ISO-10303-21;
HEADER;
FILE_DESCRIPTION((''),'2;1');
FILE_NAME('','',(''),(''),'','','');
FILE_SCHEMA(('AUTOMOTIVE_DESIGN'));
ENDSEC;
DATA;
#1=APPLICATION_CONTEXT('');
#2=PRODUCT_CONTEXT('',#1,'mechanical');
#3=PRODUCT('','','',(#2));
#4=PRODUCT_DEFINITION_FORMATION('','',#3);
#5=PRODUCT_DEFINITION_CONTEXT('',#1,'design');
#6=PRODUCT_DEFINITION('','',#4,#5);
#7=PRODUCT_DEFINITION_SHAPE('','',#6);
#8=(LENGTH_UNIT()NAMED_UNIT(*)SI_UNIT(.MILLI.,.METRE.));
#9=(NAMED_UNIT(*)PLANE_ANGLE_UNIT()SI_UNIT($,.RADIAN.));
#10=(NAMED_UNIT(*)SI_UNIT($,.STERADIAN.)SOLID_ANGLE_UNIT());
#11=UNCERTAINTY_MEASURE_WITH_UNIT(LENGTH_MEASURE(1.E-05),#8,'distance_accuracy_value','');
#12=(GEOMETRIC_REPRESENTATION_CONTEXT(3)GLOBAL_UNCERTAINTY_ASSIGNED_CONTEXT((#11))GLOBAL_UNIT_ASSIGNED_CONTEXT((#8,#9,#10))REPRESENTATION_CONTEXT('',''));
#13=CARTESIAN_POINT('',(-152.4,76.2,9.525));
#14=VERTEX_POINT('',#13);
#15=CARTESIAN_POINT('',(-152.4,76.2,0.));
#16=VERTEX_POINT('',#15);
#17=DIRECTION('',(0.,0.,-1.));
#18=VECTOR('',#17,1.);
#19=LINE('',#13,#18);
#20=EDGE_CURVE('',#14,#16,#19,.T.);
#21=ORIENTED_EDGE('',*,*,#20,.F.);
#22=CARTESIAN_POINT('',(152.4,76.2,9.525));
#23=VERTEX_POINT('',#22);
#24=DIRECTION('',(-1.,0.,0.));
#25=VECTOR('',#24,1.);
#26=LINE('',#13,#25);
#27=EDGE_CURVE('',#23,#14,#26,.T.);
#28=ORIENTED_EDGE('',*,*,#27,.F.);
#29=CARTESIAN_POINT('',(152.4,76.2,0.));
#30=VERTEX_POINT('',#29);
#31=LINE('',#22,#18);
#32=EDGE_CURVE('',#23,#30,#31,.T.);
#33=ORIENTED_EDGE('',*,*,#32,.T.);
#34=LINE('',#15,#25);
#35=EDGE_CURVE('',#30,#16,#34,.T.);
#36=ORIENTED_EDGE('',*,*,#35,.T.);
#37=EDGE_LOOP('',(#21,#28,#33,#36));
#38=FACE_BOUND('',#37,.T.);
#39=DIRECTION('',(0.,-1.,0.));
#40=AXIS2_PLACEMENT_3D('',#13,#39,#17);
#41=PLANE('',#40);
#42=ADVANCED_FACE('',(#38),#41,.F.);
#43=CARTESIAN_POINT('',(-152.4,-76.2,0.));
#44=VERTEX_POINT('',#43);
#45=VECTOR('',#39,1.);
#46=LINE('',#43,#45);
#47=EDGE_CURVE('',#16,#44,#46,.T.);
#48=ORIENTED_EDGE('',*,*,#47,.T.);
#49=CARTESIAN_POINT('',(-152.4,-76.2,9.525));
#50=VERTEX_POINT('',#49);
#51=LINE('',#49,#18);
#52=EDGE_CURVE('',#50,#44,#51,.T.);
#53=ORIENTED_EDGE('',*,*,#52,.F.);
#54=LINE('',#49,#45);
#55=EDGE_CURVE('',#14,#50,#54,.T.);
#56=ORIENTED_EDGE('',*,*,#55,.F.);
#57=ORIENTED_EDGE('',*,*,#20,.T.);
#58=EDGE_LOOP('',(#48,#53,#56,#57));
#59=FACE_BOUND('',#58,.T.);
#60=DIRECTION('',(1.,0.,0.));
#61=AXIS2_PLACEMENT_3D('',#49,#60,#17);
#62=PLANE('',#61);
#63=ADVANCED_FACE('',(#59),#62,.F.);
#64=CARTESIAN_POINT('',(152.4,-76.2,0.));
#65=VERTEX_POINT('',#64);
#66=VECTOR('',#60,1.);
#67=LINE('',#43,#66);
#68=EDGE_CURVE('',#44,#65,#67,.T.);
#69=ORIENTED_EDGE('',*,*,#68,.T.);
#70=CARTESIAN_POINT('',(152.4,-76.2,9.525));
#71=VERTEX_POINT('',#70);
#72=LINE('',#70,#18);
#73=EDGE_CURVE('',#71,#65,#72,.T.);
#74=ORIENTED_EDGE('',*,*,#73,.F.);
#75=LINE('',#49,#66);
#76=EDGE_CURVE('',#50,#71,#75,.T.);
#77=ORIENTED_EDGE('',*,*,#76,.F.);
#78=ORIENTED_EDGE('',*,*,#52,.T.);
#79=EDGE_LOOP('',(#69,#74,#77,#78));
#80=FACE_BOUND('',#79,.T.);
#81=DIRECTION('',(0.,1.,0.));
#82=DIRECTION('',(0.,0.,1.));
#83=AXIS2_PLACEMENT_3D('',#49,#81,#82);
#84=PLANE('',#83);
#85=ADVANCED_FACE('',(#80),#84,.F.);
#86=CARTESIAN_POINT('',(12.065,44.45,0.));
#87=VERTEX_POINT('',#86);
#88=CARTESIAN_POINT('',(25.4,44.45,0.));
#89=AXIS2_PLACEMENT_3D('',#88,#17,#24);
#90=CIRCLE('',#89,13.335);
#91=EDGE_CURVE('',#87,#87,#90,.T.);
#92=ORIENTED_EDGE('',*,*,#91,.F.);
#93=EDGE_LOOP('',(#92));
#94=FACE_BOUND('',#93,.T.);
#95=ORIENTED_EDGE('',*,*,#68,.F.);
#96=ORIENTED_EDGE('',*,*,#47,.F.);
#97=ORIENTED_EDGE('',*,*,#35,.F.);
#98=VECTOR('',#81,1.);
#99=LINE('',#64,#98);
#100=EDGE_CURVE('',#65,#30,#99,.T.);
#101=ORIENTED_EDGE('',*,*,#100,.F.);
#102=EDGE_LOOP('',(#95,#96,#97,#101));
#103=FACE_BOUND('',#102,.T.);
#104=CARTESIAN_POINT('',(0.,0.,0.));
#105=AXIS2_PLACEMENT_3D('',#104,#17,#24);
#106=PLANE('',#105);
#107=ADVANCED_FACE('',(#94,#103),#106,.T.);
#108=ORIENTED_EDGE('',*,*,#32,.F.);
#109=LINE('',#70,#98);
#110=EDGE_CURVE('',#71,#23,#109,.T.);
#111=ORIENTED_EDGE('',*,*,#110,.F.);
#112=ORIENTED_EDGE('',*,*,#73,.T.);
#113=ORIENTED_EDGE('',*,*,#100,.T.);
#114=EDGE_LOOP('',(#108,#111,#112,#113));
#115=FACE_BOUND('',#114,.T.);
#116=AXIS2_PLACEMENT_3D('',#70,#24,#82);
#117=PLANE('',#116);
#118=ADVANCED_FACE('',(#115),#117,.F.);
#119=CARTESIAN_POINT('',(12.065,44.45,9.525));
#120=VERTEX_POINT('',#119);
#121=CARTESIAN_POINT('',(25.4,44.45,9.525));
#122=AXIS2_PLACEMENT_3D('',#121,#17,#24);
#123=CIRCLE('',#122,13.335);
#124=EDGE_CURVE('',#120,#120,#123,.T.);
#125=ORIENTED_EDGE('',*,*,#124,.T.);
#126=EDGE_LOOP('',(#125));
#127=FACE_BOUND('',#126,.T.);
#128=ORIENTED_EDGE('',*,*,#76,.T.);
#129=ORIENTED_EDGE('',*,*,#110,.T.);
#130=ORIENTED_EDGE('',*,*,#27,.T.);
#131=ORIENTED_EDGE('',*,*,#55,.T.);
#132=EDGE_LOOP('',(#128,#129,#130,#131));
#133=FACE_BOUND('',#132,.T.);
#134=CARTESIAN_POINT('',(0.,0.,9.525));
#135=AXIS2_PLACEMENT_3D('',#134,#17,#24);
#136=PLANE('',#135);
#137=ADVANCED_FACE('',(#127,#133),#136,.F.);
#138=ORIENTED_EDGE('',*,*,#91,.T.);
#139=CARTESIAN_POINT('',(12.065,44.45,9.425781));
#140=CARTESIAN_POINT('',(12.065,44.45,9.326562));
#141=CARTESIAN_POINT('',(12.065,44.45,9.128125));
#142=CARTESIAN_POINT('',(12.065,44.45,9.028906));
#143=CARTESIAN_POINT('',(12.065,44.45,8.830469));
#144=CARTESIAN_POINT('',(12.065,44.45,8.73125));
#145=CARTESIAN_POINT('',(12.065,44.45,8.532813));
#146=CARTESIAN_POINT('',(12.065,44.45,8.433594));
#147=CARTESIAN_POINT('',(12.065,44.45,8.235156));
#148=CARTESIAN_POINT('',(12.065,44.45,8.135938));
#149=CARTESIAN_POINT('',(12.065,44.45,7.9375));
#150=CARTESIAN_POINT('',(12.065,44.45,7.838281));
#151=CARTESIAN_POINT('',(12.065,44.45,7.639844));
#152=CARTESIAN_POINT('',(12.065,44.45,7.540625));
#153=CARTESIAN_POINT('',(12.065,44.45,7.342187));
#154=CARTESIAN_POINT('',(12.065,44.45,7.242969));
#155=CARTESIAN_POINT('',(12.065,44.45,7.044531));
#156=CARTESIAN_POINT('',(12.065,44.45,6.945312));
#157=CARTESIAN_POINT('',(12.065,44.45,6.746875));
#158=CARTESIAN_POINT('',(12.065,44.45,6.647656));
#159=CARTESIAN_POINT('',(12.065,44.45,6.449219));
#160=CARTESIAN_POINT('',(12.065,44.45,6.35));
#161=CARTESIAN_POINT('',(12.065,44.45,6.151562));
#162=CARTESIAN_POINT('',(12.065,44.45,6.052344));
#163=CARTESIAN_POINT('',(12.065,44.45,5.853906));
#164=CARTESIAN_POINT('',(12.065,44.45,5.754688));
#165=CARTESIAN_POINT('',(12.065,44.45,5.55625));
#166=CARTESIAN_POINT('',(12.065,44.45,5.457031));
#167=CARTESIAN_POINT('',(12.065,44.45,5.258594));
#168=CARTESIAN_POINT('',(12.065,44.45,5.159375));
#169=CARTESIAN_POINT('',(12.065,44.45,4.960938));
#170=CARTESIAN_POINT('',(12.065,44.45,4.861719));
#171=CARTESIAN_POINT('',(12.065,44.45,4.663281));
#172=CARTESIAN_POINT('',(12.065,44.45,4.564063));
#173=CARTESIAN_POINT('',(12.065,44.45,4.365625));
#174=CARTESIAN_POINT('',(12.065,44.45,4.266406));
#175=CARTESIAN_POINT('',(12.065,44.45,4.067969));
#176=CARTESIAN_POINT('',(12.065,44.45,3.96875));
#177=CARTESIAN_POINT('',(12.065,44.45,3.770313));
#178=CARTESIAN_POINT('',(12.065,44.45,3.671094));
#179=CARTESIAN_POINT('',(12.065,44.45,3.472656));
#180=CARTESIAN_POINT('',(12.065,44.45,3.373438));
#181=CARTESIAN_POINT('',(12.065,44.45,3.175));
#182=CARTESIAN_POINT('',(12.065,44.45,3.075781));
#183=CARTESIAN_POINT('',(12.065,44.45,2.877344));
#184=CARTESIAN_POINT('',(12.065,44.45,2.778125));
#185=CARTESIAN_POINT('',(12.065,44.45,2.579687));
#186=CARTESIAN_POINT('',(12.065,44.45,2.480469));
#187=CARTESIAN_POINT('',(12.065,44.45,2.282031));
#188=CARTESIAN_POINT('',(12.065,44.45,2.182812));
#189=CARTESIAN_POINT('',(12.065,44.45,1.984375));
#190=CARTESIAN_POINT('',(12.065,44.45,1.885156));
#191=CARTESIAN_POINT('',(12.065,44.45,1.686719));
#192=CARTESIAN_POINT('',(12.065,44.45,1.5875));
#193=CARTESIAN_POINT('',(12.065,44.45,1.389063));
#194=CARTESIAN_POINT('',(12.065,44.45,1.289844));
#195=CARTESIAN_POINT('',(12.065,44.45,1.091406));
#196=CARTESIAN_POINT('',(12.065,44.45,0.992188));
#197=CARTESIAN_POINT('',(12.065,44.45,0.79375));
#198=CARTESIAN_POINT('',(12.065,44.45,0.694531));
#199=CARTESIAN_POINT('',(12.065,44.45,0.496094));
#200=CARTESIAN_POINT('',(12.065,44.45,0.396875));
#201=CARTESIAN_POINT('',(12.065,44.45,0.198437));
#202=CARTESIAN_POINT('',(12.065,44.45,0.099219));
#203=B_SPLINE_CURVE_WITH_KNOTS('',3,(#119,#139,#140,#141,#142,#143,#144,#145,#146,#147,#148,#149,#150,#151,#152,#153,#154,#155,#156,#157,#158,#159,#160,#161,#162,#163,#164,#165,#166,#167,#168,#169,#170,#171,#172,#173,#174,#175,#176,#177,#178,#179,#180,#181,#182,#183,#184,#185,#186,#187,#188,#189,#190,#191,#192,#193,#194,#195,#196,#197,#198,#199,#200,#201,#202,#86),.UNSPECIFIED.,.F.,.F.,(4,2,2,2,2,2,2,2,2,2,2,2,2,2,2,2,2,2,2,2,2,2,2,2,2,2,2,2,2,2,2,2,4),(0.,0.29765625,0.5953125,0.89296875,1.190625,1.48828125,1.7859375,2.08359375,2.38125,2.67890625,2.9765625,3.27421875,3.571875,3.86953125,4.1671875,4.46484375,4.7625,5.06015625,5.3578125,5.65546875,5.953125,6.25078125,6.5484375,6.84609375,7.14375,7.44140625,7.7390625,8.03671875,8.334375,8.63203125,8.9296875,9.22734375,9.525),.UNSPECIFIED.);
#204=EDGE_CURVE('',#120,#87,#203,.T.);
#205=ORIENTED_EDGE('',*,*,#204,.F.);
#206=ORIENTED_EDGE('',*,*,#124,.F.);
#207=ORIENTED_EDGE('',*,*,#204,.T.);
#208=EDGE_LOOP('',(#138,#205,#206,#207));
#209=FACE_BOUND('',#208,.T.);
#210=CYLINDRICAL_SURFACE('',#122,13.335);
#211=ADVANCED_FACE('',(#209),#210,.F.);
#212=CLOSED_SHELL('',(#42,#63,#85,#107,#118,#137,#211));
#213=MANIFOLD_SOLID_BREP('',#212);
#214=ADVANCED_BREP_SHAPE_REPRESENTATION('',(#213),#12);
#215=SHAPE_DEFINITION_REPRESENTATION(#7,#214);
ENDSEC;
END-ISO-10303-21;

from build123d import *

# Parameters (mm, degrees)
SKETCH1_W                     = 304.8
SKETCH1_H                     = 152.4
BOSS_EXTRUDE1_DEPTH           = 9.525
SKETCH5_R                     = 13.335
CUT_EXTRUDE3_DEPTH            = 171.65440406
F_1_1_05_DIAMETER_HOLE1_D     = 26.67
F_1_1_05_DIAMETER_HOLE1_DEPTH = 60.324
F_1_1_05_DIAMETER_HOLE1_TIP   = 8.012476355
F_1_1_05_DIAMETER_HOLE2_D     = 26.67
F_1_1_05_DIAMETER_HOLE2_DEPTH = 60.324
F_1_1_05_DIAMETER_HOLE2_TIP   = 8.012476355


with BuildPart() as part:
    # Sketch1 → Boss-Extrude1 (new body)
    with BuildSketch(Plane.XY):
        Rectangle(SKETCH1_W, SKETCH1_H)
    extrude(amount=BOSS_EXTRUDE1_DEPTH)

    # Sketch5 → Cut-Extrude3 (cut, through all)
    with BuildSketch(Plane(origin=(0, 0, 0), x_dir=(-1, 0, 0), z_dir=(0, 0, -1))):
        with Locations((-25.4, 44.45)):
            Circle(SKETCH5_R)
    extrude(amount=-CUT_EXTRUDE3_DEPTH, mode=Mode.SUBTRACT)

    # 1 (1.05) Diameter Hole1
    with Locations(Plane(origin=(1137.132872188, -76.2, 69.85), x_dir=(1, 0, 0), z_dir=(0, 0, 1))):
        with Locations((-1111.732872188, 120.65)):
            Hole(F_1_1_05_DIAMETER_HOLE1_D / 2, depth=F_1_1_05_DIAMETER_HOLE1_DEPTH)
            with Locations((0, 0, -(F_1_1_05_DIAMETER_HOLE1_DEPTH + F_1_1_05_DIAMETER_HOLE1_TIP / 2))):  # 118° drill point
                Cone(0, F_1_1_05_DIAMETER_HOLE1_D / 2, F_1_1_05_DIAMETER_HOLE1_TIP, mode=Mode.SUBTRACT)

    # 1 (1.05) Diameter Hole2
    with Locations(Plane(origin=(1137.132872188, -76.2, 9.525), x_dir=(1, 0, 0), z_dir=(0, 0, 1))):
        with Locations((-1111.732872188, 120.65)):
            Hole(F_1_1_05_DIAMETER_HOLE2_D / 2, depth=F_1_1_05_DIAMETER_HOLE2_DEPTH)
            with Locations((0, 0, -(F_1_1_05_DIAMETER_HOLE2_DEPTH + F_1_1_05_DIAMETER_HOLE2_TIP / 2))):  # 118° drill point
                Cone(0, F_1_1_05_DIAMETER_HOLE2_D / 2, F_1_1_05_DIAMETER_HOLE2_TIP, mode=Mode.SUBTRACT)


solid = part.part
